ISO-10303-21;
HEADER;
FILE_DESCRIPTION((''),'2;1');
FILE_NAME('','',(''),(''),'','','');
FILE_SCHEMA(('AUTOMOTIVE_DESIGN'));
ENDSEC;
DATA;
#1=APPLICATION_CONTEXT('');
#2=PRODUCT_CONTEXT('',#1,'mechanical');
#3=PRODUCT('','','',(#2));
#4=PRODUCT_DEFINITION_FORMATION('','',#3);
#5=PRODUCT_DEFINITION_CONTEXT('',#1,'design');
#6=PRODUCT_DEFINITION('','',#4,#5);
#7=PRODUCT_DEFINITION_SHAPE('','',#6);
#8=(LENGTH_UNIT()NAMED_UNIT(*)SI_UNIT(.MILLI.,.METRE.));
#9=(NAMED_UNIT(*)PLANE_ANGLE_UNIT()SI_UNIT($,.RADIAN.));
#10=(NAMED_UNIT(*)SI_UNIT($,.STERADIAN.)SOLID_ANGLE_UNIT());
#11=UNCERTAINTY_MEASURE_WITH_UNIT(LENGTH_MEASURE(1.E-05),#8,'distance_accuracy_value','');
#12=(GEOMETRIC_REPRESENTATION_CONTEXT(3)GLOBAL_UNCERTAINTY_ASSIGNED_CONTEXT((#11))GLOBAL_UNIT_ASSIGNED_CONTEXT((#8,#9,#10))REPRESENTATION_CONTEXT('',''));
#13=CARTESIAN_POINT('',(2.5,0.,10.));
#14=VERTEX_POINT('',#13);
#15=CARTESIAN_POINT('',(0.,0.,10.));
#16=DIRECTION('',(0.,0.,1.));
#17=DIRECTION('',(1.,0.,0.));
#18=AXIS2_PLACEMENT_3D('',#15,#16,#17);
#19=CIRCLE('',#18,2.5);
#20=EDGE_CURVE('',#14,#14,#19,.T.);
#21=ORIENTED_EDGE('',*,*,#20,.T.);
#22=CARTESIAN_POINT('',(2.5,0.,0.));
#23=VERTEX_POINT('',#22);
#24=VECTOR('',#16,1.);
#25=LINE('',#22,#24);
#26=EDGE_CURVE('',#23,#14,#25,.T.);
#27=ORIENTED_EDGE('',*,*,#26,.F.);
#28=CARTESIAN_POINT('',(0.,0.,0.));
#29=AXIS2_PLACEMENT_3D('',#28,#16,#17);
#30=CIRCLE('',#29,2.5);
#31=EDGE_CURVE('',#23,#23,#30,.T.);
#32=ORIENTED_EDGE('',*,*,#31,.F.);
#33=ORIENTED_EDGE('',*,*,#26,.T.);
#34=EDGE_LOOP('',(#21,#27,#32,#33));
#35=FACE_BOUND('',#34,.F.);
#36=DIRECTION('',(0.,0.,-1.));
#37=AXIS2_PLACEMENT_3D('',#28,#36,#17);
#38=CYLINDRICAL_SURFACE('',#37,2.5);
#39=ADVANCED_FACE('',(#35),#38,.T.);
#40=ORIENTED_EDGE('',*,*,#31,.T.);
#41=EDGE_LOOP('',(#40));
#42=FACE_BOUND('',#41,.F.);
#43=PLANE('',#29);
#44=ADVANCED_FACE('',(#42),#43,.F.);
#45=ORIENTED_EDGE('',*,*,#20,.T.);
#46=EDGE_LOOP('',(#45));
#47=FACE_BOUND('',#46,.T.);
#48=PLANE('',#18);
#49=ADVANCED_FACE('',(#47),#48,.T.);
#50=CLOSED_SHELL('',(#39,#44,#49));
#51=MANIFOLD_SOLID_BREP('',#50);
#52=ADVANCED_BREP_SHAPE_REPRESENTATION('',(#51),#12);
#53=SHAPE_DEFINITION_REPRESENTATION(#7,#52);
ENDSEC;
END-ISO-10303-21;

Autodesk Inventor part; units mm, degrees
sketch "Boceto1" plane through (0, 0, 0) normal (0, 0, 1) x (1, 0, 0)
  circle A0 centre (0, 0) radius 2.5
  dimension "d0" = 5
extrude "Extrusión1" add sketch "Boceto1" along normal blind 10
properties part number "CilidroBasesEje5mm"
